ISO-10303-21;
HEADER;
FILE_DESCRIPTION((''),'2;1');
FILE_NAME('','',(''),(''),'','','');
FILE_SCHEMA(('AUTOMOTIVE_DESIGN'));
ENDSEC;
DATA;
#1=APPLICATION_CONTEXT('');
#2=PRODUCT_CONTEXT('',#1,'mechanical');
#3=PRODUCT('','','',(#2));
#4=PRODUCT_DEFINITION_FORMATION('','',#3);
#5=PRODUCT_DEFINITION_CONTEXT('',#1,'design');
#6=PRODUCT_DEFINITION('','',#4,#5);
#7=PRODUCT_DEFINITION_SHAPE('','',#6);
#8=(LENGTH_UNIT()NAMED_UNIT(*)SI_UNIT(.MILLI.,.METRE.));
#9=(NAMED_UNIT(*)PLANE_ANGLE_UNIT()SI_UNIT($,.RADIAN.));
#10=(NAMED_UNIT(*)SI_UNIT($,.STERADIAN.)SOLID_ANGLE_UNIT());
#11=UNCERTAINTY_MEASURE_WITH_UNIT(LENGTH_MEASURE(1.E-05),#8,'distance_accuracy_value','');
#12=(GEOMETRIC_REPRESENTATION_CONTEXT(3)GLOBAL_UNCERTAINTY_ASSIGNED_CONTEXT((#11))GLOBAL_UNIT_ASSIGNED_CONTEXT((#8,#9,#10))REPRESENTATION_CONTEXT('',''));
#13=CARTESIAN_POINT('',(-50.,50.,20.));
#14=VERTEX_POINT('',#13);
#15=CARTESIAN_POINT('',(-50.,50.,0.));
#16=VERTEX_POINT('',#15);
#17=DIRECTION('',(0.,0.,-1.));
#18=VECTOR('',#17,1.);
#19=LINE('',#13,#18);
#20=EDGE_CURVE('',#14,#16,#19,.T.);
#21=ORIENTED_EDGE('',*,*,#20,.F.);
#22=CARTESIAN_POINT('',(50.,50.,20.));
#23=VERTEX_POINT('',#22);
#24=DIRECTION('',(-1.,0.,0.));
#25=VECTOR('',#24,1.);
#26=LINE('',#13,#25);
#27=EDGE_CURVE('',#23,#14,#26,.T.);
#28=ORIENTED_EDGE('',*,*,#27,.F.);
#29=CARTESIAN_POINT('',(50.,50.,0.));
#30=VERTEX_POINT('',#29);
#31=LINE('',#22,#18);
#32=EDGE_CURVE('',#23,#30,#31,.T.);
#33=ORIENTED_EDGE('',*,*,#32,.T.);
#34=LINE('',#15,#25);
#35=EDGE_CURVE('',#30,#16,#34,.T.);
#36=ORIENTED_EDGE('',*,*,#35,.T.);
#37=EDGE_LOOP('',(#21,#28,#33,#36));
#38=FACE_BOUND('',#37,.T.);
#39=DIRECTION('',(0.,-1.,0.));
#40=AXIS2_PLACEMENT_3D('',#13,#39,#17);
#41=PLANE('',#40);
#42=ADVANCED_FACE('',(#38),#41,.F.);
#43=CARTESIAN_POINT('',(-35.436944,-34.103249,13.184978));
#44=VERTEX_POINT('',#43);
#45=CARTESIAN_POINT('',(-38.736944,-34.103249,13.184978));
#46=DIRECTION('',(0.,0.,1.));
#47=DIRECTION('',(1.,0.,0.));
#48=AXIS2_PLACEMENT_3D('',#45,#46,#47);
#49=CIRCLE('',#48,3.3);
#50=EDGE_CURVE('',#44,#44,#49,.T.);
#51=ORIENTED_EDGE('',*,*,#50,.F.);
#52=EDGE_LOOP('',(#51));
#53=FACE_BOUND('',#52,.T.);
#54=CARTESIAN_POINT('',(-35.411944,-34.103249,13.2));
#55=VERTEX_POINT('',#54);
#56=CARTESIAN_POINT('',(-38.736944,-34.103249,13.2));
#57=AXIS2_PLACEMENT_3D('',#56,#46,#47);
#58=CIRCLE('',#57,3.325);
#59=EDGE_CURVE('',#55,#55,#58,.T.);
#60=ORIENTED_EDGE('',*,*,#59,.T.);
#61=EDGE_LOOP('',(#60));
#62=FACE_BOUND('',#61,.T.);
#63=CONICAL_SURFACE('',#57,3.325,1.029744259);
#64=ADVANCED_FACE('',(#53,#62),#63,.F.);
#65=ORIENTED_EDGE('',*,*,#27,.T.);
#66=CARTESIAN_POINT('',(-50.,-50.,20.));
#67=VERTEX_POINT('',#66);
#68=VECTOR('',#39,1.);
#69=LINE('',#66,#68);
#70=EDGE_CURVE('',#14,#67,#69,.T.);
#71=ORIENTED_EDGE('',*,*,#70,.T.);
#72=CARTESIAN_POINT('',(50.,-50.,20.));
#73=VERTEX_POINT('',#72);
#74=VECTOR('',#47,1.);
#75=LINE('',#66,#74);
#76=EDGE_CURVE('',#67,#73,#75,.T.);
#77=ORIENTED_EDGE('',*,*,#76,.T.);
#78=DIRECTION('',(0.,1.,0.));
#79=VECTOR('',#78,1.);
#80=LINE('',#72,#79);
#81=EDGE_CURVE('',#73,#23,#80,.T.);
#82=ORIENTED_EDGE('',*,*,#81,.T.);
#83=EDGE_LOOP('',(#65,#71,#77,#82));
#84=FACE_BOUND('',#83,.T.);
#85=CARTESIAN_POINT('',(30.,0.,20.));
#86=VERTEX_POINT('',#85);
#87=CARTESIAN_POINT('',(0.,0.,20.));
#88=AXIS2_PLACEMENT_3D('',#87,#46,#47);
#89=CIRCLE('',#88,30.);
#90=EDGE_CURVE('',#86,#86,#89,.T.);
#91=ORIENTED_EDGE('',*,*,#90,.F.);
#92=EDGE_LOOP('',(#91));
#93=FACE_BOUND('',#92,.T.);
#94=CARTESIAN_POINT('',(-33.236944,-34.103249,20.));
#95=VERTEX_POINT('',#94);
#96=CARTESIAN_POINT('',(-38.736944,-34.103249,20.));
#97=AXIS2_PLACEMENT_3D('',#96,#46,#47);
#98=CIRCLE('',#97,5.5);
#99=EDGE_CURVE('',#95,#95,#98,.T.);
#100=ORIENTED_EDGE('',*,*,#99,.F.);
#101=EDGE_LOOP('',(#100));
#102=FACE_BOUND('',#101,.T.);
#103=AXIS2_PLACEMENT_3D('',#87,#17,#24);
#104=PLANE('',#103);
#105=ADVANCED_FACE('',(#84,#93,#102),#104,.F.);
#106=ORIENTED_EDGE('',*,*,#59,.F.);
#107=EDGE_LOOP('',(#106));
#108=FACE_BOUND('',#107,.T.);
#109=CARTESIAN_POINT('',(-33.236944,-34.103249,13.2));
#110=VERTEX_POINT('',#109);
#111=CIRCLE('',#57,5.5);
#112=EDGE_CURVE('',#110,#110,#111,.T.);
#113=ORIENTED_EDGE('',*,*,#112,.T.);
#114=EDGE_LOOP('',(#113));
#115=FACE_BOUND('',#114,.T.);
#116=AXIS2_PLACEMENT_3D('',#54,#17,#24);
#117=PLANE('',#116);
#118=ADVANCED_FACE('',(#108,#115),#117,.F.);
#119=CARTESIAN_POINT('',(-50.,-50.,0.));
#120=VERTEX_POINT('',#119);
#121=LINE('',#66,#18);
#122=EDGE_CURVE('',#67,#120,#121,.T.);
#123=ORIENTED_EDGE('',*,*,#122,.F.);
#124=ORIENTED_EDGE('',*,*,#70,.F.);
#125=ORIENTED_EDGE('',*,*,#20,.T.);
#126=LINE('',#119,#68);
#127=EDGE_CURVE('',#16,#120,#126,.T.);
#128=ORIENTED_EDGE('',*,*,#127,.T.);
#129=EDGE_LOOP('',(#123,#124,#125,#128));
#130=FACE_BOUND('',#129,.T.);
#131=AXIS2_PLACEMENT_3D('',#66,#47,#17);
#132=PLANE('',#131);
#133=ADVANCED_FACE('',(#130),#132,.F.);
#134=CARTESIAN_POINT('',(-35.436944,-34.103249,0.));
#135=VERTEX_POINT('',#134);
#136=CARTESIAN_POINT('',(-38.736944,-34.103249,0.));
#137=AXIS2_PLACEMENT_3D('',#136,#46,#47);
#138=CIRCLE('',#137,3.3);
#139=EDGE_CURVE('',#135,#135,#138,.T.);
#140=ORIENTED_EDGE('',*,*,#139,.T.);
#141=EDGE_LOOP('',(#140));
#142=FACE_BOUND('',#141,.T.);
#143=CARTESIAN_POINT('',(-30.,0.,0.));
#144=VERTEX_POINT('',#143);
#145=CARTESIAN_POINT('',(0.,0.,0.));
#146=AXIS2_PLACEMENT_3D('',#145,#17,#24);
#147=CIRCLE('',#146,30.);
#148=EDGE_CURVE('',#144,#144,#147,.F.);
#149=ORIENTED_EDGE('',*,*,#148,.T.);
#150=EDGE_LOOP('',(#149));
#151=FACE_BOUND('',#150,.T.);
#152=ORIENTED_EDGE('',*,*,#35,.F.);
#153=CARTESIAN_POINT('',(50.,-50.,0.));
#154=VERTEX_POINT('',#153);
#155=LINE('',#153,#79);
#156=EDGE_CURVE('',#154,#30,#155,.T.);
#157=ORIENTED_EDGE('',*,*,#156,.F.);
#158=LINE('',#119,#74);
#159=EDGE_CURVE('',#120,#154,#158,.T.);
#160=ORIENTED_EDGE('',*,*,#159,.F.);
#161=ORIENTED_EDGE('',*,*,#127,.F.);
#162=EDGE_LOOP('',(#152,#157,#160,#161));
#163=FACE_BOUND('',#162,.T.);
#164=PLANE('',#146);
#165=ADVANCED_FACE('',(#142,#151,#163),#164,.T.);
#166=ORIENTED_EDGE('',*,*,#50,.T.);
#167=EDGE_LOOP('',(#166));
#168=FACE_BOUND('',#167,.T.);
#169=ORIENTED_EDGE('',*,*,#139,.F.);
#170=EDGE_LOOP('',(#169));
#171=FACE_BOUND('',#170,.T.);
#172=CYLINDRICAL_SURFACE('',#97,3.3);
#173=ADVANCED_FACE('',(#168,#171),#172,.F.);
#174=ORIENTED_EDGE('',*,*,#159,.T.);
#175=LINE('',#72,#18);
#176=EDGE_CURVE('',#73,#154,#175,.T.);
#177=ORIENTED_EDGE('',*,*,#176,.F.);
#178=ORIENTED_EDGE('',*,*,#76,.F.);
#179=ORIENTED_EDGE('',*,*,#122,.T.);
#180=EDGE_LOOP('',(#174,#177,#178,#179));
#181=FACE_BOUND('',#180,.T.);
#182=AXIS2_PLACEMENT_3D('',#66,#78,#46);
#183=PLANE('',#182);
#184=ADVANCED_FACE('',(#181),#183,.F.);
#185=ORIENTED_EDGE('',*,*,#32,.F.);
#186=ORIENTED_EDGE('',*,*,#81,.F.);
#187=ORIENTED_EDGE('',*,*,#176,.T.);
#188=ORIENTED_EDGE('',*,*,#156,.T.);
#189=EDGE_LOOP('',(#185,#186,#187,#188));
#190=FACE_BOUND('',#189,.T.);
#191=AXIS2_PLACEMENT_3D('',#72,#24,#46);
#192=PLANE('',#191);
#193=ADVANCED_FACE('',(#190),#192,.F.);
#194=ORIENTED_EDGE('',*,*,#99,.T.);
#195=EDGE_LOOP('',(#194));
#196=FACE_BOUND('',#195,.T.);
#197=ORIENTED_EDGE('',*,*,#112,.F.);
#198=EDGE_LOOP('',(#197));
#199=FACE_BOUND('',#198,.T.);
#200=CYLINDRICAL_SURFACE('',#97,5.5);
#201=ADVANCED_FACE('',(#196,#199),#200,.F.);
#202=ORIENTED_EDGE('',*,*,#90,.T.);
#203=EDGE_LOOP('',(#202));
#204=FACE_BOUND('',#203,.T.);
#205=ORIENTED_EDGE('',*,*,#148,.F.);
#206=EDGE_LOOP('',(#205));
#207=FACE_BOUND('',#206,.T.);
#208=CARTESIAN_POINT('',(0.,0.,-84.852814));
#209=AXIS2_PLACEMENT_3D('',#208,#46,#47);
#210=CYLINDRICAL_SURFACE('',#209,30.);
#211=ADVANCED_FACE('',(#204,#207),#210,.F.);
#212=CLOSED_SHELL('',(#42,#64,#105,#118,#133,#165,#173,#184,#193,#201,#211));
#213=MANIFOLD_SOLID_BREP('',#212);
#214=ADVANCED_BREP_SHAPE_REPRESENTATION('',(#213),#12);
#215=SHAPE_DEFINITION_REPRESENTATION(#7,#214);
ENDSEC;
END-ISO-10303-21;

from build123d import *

# Parameters (mm, degrees)
SKETCH_1_W          = 100
SKETCH_1_H          = 100
EXTRUDE_1_DEPTH     = 20
SKETCH_2_R          = 30
CUT_EXTRUDE_1_DEPTH = 20


with BuildPart() as part:
    # 草图1 → 凸台-拉伸1 (new body)
    with BuildSketch(Plane.XY):
        Rectangle(SKETCH_1_W, SKETCH_1_H)
    extrude(amount=EXTRUDE_1_DEPTH)

    # 草图2 → 切除-拉伸1 (cut)
    with BuildSketch(Plane.XY.offset(20)):
        Circle(SKETCH_2_R)
    extrude(amount=-CUT_EXTRUDE_1_DEPTH, mode=Mode.SUBTRACT)

    # 草图3 → M6 六角圆柱头螺钉的柱形沉头孔1 (revolve, cut)
    with BuildSketch(Plane(origin=(-38.736943886, -34.103248867, 20), x_dir=(0, -1, 0), z_dir=(1, 0, 0))):
        Polygon((0, 0), (0, 20), (3.3, 20), (3.3, 6.815021515), (3.325, 6.8), (5.5, 6.8), (5.5, 0), align=None)
    revolve(axis=Axis((-38.736943886, -34.103248867, 26.35), (0, 0, -1)), mode=Mode.SUBTRACT)


solid = part.part
